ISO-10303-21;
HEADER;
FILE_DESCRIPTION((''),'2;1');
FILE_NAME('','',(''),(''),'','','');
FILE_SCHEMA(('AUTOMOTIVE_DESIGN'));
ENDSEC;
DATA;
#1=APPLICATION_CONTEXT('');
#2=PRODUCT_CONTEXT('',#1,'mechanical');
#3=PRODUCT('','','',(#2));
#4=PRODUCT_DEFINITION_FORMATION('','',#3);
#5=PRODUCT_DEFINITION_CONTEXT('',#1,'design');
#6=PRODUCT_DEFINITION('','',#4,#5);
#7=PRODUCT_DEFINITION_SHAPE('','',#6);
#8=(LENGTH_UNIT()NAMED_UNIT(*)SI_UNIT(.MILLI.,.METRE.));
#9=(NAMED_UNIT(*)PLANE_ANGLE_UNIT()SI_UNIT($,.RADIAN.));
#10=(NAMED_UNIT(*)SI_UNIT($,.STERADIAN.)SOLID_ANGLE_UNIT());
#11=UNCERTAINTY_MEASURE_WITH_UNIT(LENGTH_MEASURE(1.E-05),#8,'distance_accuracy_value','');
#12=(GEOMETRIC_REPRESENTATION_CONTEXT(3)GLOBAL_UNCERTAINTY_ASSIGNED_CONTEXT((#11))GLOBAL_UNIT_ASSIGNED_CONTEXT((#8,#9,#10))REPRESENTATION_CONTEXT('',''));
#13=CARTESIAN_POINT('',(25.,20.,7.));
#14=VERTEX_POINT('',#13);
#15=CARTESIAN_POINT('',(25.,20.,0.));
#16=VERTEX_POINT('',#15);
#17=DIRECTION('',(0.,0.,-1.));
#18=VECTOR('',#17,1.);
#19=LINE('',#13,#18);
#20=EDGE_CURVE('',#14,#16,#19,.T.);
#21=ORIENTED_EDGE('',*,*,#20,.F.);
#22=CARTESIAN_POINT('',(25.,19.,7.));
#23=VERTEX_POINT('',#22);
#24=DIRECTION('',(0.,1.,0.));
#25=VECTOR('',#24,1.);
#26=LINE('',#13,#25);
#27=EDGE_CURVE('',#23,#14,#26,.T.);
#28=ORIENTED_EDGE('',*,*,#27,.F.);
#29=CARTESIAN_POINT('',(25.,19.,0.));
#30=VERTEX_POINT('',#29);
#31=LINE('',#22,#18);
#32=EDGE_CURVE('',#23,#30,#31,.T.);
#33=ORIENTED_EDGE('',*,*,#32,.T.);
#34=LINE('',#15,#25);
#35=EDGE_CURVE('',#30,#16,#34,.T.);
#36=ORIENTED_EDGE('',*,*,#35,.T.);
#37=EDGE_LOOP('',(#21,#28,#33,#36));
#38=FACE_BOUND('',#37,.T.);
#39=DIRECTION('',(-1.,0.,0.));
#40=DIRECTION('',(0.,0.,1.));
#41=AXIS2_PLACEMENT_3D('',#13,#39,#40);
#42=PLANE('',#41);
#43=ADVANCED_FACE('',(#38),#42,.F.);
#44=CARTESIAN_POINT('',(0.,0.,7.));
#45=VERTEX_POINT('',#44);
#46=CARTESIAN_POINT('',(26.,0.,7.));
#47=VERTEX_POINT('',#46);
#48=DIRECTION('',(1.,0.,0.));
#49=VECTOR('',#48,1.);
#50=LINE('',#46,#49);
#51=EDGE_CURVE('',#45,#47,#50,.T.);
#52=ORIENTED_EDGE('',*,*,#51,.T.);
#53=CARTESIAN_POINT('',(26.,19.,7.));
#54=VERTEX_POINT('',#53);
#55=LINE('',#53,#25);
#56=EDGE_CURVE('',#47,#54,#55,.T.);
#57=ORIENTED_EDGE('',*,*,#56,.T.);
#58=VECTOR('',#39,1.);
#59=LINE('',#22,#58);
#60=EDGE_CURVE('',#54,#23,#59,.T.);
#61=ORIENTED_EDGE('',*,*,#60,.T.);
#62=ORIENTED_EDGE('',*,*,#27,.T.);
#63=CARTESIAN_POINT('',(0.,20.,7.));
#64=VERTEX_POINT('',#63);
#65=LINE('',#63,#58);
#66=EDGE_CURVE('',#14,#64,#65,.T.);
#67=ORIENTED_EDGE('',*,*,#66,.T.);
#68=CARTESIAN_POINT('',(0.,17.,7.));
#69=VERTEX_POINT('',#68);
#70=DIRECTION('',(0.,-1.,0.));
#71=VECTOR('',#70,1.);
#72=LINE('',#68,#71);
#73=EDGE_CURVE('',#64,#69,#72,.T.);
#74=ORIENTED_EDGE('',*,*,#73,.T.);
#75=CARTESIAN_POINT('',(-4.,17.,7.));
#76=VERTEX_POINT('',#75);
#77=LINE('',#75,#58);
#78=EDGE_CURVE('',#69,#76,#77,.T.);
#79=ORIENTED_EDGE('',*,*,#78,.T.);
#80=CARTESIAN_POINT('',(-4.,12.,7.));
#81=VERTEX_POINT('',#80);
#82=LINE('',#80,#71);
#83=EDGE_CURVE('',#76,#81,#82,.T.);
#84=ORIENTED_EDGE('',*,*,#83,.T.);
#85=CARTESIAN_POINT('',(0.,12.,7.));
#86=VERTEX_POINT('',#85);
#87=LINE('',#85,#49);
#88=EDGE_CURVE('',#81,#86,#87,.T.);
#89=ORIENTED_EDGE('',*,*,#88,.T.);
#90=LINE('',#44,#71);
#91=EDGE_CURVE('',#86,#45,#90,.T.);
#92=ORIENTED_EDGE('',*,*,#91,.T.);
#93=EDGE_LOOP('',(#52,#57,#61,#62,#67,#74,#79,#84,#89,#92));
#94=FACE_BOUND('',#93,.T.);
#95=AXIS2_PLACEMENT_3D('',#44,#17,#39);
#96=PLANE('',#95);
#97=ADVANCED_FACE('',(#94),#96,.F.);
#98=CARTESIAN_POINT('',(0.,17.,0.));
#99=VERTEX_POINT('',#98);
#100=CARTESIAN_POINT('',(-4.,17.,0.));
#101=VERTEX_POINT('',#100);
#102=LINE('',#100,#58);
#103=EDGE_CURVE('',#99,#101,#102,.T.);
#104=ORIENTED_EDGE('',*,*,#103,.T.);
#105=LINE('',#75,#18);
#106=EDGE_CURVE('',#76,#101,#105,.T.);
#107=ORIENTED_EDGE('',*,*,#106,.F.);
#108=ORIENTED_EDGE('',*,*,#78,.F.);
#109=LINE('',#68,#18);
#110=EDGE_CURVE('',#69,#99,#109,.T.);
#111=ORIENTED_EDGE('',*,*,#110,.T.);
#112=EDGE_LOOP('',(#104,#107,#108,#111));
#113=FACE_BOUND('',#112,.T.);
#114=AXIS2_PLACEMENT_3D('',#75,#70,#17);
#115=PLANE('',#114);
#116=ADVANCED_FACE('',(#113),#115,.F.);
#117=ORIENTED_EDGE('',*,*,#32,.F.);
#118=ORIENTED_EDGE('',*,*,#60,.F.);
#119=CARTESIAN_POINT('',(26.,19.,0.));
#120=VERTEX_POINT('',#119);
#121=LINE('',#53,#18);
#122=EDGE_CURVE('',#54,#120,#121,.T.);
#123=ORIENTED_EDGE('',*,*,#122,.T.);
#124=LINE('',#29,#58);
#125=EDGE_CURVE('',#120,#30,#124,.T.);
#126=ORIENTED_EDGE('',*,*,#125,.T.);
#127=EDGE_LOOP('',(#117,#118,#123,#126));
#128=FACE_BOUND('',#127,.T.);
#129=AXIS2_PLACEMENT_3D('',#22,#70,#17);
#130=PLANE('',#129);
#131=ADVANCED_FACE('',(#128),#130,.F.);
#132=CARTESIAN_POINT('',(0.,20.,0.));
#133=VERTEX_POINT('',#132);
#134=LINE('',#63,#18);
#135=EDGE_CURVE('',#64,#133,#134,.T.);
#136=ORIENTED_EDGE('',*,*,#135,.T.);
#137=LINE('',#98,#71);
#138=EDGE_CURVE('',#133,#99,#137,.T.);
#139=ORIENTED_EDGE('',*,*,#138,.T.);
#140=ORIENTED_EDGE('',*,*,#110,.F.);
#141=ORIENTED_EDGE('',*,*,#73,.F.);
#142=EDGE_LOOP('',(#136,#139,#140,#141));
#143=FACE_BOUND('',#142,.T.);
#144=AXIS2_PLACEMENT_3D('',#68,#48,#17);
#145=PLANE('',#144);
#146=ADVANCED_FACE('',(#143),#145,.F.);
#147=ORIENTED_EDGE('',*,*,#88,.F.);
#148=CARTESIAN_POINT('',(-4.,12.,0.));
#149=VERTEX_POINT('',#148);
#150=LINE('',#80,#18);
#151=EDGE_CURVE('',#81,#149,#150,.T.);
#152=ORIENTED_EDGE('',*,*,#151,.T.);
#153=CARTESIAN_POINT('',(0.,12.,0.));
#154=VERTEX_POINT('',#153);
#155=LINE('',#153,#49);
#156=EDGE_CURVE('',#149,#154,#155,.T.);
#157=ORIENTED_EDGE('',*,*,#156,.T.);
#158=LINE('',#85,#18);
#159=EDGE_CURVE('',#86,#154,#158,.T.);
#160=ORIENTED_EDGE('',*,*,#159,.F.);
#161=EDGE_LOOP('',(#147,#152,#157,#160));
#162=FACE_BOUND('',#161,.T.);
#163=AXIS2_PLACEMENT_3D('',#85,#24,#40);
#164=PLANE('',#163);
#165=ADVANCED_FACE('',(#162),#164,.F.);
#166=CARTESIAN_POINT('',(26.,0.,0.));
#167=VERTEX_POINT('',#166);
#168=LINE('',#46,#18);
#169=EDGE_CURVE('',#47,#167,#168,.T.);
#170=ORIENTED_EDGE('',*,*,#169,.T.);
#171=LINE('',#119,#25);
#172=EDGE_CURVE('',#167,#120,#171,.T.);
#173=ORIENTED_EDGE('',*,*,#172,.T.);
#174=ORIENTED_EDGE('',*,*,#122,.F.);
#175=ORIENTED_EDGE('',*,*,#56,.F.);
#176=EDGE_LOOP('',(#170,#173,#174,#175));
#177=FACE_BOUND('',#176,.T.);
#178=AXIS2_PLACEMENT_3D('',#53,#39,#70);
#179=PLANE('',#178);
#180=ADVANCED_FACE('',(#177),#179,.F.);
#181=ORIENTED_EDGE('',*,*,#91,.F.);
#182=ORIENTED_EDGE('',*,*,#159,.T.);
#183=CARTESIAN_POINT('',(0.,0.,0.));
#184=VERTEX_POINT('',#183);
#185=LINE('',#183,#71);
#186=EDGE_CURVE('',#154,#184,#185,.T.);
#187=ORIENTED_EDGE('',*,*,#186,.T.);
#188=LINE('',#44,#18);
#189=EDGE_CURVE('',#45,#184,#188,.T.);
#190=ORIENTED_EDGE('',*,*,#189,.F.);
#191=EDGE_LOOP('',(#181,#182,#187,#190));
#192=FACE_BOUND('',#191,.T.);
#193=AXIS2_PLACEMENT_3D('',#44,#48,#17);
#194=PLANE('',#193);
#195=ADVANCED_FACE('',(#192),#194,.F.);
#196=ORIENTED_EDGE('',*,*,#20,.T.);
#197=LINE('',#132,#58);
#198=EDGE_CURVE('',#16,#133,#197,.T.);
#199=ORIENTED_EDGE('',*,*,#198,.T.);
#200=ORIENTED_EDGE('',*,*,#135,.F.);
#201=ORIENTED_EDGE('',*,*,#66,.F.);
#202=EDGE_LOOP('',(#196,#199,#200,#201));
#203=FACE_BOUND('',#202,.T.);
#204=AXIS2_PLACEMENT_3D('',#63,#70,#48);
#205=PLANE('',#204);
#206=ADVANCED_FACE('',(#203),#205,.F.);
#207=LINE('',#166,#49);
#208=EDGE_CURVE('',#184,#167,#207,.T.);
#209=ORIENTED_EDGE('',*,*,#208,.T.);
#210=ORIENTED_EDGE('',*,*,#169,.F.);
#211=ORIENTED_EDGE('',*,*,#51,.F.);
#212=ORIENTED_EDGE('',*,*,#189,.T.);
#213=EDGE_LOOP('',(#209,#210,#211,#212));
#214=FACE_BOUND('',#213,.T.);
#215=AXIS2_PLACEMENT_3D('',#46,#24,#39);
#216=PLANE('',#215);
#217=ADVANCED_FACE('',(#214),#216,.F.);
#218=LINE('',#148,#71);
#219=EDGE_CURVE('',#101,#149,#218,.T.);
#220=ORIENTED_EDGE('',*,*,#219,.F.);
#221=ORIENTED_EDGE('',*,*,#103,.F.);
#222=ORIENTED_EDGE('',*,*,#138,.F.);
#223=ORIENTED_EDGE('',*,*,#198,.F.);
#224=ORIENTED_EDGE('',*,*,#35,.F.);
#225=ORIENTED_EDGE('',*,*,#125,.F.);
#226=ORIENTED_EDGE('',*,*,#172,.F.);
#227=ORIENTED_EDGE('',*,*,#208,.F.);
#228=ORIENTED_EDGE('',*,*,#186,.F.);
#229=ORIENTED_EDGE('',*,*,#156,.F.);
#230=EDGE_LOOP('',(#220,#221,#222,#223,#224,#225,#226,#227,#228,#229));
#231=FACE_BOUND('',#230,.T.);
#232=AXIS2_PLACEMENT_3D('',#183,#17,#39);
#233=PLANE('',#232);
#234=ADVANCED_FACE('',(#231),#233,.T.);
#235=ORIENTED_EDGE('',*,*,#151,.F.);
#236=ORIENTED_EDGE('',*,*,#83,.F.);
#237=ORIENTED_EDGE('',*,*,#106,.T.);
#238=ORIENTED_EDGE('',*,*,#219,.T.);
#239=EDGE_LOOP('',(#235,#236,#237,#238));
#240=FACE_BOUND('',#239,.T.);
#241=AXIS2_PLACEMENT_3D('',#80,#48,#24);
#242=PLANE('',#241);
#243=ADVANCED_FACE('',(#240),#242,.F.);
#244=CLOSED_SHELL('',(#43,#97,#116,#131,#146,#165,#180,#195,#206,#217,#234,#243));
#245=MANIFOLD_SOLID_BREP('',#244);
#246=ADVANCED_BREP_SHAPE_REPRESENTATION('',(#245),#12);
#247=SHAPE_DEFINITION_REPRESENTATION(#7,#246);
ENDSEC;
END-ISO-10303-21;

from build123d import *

# Parameters (mm, degrees)
SALIENTE_EXTRUIR1_DEPTH = 7


with BuildPart() as part:
    # Croquis1 → Saliente-Extruir1 (new body)
    with BuildSketch(Plane.XY):
        Polygon((0, 0), (0, 12), (-4, 12), (-4, 17), (0, 17), (0, 20), (25, 20), (25, 19), (26, 19), (26, 0), align=None)
    extrude(amount=SALIENTE_EXTRUIR1_DEPTH)


solid = part.part
